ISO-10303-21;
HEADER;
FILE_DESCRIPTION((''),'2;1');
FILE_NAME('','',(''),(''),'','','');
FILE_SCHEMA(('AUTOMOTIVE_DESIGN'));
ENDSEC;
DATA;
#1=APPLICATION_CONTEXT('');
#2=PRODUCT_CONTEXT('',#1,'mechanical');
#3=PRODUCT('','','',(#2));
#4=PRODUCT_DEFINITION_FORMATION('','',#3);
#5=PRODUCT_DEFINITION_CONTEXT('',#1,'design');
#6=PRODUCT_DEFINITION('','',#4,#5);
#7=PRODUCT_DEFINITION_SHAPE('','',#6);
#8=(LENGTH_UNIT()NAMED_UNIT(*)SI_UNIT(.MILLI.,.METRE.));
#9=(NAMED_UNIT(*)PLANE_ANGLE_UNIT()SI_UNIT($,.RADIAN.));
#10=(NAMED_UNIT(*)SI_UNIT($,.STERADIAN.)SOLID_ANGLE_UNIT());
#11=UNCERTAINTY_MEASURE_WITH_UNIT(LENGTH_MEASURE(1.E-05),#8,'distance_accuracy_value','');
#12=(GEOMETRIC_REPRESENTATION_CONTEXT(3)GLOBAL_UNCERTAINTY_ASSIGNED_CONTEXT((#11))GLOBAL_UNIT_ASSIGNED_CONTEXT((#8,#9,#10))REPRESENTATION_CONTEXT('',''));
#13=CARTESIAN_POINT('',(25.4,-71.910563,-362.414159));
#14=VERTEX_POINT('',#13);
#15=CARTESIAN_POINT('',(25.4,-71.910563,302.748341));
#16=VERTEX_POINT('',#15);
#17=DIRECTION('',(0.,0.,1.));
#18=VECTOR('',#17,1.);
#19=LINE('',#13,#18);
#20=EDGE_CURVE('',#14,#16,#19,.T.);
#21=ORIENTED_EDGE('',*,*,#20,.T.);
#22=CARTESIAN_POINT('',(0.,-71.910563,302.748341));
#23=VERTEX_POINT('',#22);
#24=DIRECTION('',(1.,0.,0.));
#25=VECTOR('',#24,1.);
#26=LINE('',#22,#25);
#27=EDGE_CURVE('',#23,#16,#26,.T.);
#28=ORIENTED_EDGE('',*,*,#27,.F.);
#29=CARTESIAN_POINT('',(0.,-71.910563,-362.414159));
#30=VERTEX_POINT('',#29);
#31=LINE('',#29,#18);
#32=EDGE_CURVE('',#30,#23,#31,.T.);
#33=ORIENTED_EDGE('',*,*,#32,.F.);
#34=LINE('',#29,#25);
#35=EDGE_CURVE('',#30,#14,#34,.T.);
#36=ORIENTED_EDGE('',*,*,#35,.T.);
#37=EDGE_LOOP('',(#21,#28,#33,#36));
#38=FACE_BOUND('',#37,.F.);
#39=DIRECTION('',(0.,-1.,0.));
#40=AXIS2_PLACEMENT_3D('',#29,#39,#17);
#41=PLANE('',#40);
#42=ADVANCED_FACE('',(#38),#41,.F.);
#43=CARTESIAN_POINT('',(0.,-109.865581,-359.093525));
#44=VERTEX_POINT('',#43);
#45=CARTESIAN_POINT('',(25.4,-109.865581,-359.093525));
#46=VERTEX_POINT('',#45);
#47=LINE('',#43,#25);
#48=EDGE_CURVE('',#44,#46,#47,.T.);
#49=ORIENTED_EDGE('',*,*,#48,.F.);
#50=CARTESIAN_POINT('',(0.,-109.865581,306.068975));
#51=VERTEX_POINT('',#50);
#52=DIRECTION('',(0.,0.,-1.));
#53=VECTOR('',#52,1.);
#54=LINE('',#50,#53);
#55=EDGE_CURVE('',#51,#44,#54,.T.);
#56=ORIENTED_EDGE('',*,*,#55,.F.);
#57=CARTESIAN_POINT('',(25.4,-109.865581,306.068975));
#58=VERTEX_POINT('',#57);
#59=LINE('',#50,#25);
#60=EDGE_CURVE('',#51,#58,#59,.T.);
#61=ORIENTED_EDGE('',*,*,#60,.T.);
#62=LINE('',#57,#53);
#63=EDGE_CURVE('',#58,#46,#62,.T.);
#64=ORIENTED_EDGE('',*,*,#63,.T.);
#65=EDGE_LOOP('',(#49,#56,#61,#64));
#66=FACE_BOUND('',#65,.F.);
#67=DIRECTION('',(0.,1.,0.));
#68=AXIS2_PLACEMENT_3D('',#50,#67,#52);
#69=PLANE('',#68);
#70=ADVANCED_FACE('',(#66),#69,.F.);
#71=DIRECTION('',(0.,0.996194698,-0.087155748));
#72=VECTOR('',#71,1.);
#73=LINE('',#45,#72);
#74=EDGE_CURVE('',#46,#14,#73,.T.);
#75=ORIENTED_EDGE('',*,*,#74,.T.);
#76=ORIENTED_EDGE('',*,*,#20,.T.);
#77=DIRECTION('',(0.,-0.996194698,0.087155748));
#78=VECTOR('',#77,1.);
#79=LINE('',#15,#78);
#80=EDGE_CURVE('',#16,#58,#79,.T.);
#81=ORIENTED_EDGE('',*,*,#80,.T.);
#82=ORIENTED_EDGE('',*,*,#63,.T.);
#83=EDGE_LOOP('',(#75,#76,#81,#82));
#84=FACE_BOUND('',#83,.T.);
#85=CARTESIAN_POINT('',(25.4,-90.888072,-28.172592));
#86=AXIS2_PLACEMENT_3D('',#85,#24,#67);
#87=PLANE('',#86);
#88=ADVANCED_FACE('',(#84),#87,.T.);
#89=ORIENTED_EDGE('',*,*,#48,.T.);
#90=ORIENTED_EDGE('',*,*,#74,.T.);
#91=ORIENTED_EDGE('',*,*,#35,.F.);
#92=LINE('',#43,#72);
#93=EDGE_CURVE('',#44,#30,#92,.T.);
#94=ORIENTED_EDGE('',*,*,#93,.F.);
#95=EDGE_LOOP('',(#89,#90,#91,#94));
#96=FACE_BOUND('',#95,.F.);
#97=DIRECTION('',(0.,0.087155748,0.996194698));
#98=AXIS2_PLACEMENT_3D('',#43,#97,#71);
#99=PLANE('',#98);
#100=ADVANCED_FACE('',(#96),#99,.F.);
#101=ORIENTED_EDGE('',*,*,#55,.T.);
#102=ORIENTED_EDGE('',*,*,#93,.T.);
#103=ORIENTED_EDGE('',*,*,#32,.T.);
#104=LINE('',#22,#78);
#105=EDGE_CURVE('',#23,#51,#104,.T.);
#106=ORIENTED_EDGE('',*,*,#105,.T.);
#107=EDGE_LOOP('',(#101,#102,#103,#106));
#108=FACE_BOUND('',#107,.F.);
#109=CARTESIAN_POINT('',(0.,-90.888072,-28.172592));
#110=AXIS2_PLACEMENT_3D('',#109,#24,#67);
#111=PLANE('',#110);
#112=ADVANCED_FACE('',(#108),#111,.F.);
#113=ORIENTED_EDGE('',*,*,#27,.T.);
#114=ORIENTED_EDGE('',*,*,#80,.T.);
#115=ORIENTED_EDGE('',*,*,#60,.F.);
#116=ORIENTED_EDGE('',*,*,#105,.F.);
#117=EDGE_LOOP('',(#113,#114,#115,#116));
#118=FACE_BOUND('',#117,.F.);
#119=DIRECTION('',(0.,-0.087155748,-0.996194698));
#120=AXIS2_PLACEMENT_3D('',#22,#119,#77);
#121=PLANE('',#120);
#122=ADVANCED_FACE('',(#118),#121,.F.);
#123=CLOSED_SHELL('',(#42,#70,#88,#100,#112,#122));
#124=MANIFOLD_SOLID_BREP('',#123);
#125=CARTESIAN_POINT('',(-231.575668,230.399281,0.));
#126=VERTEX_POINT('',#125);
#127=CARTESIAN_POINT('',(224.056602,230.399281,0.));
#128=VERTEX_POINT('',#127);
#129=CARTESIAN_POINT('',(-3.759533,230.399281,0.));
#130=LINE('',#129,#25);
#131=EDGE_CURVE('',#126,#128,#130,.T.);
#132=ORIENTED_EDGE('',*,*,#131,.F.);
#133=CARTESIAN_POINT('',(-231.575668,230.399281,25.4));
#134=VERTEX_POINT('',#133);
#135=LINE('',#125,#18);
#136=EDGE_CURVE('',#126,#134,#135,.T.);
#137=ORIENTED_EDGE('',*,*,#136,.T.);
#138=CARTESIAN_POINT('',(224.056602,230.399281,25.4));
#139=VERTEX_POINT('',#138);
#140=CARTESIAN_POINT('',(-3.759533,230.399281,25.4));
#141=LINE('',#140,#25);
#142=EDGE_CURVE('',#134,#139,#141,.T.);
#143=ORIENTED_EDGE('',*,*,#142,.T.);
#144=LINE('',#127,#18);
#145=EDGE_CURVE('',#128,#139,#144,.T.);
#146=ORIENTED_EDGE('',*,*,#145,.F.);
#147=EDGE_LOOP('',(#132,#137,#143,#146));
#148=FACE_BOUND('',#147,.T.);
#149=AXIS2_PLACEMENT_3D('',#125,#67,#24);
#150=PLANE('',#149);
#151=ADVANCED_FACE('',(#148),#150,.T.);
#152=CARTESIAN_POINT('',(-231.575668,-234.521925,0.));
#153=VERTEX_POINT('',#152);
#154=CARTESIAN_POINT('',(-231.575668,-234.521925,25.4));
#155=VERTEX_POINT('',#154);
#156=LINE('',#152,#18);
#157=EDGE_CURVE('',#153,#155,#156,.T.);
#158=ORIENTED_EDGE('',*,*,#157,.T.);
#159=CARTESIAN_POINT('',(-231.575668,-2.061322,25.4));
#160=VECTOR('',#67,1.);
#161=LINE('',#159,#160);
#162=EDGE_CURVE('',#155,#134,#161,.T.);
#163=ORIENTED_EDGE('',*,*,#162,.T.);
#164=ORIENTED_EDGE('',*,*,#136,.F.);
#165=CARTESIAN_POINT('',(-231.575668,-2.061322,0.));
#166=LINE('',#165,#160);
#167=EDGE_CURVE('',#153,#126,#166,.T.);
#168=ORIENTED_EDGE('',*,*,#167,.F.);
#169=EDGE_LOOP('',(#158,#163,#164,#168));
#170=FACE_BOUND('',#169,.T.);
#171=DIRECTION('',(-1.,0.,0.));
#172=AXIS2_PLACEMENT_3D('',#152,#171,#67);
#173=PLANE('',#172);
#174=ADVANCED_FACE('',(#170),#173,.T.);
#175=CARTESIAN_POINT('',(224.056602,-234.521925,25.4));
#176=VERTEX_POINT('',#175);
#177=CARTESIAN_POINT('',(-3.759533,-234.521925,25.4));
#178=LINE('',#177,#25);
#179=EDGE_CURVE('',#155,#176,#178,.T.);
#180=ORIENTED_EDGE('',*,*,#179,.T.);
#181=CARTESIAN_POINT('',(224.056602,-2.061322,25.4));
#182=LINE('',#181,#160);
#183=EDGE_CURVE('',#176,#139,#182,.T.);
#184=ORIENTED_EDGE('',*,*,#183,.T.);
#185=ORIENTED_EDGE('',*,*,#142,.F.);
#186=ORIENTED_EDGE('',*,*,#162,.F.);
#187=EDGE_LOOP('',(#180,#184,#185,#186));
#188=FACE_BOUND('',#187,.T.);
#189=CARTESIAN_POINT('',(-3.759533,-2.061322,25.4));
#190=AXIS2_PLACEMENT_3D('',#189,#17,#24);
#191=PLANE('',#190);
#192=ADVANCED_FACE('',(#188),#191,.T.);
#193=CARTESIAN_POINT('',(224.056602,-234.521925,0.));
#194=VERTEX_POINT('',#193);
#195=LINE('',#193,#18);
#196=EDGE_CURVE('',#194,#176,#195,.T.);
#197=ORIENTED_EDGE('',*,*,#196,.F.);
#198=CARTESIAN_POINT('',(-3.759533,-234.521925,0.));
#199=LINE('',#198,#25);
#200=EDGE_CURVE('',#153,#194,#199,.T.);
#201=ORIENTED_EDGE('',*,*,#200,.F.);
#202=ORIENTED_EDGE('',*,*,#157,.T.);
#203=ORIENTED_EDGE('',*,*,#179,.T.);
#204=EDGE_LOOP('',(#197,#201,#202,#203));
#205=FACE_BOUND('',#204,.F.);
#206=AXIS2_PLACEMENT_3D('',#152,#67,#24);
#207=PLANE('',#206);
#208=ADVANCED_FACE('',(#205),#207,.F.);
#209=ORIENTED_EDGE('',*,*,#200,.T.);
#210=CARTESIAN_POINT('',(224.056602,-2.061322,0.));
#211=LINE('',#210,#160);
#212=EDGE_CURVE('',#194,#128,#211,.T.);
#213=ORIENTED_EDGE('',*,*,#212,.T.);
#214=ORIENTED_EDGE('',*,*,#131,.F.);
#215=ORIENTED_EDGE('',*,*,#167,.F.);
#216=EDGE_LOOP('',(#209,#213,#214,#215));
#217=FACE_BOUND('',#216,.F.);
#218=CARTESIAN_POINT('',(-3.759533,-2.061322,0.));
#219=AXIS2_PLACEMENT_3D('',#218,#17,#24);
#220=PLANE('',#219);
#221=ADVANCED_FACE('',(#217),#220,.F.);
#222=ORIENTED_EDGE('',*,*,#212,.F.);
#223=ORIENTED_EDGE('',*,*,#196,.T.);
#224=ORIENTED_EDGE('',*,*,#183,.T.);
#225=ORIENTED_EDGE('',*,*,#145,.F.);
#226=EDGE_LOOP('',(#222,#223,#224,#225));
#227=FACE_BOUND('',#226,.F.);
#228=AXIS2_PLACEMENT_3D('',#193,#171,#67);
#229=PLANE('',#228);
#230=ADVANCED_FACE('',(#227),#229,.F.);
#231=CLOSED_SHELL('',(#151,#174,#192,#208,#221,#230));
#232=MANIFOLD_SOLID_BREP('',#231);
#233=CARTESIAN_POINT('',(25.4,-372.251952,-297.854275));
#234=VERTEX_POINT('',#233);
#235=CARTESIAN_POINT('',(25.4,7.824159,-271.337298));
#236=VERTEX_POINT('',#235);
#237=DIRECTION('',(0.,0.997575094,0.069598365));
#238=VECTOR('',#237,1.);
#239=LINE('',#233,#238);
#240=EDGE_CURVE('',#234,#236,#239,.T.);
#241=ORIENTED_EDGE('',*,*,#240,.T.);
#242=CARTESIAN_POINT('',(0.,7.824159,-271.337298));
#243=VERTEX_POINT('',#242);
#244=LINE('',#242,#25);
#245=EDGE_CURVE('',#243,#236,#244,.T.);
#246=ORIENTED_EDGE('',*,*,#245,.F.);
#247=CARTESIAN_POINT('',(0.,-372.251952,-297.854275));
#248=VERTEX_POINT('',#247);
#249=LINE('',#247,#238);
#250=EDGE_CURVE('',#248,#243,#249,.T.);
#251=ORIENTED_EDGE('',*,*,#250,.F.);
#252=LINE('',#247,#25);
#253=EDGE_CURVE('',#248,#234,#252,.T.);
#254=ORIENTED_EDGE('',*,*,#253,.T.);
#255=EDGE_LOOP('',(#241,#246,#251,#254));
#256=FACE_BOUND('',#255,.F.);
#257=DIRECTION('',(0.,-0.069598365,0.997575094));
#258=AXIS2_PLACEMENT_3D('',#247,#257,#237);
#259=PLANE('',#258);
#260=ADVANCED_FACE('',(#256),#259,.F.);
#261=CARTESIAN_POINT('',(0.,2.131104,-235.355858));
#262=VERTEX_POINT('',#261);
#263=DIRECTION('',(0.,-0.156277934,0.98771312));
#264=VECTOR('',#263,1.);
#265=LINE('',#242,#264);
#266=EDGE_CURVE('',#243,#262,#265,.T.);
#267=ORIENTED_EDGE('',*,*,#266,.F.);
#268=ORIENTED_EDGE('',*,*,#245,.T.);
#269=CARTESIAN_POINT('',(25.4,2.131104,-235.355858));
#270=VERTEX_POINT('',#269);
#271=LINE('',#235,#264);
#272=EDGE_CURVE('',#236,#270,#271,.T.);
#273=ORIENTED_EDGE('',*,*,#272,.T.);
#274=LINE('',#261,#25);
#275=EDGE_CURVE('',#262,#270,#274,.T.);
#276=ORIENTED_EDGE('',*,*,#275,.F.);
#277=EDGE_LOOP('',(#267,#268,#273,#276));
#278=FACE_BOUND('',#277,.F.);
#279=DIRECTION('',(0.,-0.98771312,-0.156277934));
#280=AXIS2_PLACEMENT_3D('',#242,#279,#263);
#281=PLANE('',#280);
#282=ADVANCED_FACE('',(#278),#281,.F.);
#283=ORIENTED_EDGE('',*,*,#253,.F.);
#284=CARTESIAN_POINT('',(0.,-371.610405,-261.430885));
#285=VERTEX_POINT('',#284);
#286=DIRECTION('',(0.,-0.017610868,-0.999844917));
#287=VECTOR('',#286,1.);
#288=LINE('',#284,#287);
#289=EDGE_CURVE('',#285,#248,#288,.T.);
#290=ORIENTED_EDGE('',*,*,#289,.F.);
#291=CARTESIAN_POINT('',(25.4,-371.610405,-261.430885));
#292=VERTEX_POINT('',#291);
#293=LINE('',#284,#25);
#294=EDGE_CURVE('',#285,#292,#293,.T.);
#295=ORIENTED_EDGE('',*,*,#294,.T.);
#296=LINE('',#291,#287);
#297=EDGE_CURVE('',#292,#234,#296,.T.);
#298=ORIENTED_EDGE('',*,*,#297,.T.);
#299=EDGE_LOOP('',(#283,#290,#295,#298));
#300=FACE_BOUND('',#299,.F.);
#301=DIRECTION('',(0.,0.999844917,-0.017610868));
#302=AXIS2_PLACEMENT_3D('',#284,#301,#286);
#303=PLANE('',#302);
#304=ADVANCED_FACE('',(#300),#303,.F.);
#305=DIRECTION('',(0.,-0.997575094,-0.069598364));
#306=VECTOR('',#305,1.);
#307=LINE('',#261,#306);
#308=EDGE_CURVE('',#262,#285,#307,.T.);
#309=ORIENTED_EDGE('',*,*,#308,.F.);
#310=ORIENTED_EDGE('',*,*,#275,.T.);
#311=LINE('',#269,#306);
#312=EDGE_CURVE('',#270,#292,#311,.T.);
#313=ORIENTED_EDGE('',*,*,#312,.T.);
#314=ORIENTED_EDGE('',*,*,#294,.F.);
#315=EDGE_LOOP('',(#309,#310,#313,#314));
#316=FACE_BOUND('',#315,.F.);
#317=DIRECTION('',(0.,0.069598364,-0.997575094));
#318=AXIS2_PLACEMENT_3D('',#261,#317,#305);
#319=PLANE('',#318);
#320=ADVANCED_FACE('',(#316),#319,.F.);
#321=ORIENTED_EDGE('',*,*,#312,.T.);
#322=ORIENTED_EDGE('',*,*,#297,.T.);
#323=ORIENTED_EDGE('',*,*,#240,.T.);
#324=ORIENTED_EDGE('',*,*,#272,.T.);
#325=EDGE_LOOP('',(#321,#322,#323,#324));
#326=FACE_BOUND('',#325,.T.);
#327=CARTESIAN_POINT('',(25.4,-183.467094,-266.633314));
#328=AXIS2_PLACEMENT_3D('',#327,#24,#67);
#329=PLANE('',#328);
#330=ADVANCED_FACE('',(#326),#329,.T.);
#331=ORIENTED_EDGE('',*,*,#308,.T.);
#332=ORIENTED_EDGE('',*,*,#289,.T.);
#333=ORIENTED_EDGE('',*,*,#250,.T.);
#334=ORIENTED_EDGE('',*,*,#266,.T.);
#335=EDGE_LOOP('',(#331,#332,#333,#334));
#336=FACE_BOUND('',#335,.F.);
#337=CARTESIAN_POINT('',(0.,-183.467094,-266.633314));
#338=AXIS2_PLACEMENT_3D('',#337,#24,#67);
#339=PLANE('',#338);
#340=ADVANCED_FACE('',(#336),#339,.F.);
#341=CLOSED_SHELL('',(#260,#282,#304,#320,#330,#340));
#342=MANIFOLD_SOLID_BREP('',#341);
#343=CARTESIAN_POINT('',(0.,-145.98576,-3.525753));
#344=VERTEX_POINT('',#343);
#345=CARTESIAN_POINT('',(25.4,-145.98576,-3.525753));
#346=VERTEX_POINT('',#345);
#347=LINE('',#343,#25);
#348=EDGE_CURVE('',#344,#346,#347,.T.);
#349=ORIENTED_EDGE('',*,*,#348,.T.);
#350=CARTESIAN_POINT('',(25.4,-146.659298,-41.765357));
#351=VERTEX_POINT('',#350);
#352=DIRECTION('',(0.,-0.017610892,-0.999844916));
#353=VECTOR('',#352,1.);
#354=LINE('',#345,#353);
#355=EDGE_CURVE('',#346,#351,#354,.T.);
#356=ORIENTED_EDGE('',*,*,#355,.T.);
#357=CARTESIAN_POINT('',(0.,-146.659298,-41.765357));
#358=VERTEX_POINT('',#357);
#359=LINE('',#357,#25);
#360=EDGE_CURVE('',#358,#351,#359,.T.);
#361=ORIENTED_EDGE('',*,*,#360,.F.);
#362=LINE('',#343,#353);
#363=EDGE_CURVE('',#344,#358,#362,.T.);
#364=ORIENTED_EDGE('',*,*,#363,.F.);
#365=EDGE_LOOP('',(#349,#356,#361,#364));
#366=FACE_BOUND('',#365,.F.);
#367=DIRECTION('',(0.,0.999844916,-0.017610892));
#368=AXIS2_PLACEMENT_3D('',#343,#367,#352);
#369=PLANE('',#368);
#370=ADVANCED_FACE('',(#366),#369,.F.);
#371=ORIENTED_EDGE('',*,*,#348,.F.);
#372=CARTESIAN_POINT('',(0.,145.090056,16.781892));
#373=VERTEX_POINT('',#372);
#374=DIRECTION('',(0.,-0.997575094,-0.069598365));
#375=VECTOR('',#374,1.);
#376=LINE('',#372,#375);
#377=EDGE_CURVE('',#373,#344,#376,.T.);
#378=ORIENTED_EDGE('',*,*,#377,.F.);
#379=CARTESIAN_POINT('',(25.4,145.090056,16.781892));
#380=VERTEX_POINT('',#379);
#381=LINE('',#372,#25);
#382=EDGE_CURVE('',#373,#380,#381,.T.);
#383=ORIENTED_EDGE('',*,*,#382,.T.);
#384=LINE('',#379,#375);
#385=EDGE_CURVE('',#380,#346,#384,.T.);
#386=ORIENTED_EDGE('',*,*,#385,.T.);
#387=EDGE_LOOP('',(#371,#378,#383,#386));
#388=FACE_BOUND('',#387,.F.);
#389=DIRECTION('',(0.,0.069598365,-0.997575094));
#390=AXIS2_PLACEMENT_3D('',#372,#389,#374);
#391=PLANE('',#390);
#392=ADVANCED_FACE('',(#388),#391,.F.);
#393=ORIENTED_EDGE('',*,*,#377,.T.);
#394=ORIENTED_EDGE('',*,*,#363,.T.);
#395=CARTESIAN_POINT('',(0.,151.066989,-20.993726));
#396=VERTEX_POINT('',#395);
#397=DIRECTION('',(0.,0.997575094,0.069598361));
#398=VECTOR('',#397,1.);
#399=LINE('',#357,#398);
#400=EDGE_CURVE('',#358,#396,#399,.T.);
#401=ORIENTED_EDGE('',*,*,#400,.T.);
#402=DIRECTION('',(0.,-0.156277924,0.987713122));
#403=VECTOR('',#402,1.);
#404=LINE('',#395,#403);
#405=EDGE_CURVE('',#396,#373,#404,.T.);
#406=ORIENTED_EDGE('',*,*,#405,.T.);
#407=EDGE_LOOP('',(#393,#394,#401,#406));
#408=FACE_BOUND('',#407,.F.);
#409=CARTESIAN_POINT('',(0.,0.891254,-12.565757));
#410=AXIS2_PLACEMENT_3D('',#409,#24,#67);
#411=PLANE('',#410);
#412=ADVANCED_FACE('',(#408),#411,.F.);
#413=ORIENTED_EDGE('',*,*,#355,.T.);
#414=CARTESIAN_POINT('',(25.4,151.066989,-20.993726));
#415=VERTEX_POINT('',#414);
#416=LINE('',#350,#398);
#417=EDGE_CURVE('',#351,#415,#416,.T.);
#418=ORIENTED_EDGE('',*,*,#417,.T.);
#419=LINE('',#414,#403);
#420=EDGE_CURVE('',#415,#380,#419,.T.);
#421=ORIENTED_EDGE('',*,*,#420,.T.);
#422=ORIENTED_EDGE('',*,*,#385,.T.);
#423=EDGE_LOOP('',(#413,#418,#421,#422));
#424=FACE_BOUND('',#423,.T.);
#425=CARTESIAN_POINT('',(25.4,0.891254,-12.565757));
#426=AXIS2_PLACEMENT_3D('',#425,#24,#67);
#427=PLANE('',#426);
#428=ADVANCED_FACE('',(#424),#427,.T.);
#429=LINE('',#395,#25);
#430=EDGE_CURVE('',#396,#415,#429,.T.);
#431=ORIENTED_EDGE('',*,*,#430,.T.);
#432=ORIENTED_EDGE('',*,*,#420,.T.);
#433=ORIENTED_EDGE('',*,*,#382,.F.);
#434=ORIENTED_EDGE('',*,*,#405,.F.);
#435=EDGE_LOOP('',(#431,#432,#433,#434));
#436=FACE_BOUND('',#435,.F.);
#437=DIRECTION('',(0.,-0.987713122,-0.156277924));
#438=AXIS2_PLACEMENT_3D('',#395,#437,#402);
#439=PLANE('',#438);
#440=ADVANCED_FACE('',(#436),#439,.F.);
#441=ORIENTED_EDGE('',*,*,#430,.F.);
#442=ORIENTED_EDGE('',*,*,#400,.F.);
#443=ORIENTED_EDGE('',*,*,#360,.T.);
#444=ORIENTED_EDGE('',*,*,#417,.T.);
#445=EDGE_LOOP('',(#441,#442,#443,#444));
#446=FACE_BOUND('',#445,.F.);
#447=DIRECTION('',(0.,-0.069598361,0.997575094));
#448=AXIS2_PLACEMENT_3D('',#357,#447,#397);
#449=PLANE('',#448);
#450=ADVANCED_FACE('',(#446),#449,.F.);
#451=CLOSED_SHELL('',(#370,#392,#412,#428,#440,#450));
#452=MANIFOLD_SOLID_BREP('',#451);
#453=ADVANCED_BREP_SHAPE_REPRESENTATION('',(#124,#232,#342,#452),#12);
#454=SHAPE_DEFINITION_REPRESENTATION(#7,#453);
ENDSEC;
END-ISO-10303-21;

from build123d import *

# Parameters (mm, degrees)
F1_DEPTH = 25.4
F2_W     = 455.63227
F2_H     = 464.921206
F3_DEPTH = 25.4
F5_DEPTH = 25.4
F7_DEPTH = 25.4


with BuildPart() as f1:
    # F0 (on Right) → F1 (new body)
    with BuildSketch(Plane.YZ):
        Polygon((-71.910563, 302.748341), (-109.865581, 306.068975), (-109.865581, -359.093525), (-71.910563, -362.414159), (-71.910563, 256.125829), align=None)
    extrude(amount=F1_DEPTH)


with BuildPart() as f3:
    # F2 (on Top) → F3 (new body)
    with BuildSketch(Plane.XY):
        with Locations((-3.759533, -2.061322)):
            Rectangle(F2_W, F2_H)
    extrude(amount=F3_DEPTH)


with BuildPart() as f5:
    # F4 (on face) → F5 (new body)
    with BuildSketch(Plane.YZ):
        Polygon((7.824159, -271.337298), (2.131104, -235.355858), (-371.610405, -261.430885), (-372.251952, -297.854275), align=None)
    extrude(amount=F5_DEPTH)


with BuildPart() as f7:
    # F6 (on Right) → F7 (new body)
    with BuildSketch(Plane.YZ):
        Polygon((151.066989, -20.993726), (145.090056, 16.781892), (-145.98576, -3.525753), (-146.659298, -41.765357), align=None)
    extrude(amount=F7_DEPTH)


solid = Compound([f1.part, f3.part, f5.part, f7.part])
